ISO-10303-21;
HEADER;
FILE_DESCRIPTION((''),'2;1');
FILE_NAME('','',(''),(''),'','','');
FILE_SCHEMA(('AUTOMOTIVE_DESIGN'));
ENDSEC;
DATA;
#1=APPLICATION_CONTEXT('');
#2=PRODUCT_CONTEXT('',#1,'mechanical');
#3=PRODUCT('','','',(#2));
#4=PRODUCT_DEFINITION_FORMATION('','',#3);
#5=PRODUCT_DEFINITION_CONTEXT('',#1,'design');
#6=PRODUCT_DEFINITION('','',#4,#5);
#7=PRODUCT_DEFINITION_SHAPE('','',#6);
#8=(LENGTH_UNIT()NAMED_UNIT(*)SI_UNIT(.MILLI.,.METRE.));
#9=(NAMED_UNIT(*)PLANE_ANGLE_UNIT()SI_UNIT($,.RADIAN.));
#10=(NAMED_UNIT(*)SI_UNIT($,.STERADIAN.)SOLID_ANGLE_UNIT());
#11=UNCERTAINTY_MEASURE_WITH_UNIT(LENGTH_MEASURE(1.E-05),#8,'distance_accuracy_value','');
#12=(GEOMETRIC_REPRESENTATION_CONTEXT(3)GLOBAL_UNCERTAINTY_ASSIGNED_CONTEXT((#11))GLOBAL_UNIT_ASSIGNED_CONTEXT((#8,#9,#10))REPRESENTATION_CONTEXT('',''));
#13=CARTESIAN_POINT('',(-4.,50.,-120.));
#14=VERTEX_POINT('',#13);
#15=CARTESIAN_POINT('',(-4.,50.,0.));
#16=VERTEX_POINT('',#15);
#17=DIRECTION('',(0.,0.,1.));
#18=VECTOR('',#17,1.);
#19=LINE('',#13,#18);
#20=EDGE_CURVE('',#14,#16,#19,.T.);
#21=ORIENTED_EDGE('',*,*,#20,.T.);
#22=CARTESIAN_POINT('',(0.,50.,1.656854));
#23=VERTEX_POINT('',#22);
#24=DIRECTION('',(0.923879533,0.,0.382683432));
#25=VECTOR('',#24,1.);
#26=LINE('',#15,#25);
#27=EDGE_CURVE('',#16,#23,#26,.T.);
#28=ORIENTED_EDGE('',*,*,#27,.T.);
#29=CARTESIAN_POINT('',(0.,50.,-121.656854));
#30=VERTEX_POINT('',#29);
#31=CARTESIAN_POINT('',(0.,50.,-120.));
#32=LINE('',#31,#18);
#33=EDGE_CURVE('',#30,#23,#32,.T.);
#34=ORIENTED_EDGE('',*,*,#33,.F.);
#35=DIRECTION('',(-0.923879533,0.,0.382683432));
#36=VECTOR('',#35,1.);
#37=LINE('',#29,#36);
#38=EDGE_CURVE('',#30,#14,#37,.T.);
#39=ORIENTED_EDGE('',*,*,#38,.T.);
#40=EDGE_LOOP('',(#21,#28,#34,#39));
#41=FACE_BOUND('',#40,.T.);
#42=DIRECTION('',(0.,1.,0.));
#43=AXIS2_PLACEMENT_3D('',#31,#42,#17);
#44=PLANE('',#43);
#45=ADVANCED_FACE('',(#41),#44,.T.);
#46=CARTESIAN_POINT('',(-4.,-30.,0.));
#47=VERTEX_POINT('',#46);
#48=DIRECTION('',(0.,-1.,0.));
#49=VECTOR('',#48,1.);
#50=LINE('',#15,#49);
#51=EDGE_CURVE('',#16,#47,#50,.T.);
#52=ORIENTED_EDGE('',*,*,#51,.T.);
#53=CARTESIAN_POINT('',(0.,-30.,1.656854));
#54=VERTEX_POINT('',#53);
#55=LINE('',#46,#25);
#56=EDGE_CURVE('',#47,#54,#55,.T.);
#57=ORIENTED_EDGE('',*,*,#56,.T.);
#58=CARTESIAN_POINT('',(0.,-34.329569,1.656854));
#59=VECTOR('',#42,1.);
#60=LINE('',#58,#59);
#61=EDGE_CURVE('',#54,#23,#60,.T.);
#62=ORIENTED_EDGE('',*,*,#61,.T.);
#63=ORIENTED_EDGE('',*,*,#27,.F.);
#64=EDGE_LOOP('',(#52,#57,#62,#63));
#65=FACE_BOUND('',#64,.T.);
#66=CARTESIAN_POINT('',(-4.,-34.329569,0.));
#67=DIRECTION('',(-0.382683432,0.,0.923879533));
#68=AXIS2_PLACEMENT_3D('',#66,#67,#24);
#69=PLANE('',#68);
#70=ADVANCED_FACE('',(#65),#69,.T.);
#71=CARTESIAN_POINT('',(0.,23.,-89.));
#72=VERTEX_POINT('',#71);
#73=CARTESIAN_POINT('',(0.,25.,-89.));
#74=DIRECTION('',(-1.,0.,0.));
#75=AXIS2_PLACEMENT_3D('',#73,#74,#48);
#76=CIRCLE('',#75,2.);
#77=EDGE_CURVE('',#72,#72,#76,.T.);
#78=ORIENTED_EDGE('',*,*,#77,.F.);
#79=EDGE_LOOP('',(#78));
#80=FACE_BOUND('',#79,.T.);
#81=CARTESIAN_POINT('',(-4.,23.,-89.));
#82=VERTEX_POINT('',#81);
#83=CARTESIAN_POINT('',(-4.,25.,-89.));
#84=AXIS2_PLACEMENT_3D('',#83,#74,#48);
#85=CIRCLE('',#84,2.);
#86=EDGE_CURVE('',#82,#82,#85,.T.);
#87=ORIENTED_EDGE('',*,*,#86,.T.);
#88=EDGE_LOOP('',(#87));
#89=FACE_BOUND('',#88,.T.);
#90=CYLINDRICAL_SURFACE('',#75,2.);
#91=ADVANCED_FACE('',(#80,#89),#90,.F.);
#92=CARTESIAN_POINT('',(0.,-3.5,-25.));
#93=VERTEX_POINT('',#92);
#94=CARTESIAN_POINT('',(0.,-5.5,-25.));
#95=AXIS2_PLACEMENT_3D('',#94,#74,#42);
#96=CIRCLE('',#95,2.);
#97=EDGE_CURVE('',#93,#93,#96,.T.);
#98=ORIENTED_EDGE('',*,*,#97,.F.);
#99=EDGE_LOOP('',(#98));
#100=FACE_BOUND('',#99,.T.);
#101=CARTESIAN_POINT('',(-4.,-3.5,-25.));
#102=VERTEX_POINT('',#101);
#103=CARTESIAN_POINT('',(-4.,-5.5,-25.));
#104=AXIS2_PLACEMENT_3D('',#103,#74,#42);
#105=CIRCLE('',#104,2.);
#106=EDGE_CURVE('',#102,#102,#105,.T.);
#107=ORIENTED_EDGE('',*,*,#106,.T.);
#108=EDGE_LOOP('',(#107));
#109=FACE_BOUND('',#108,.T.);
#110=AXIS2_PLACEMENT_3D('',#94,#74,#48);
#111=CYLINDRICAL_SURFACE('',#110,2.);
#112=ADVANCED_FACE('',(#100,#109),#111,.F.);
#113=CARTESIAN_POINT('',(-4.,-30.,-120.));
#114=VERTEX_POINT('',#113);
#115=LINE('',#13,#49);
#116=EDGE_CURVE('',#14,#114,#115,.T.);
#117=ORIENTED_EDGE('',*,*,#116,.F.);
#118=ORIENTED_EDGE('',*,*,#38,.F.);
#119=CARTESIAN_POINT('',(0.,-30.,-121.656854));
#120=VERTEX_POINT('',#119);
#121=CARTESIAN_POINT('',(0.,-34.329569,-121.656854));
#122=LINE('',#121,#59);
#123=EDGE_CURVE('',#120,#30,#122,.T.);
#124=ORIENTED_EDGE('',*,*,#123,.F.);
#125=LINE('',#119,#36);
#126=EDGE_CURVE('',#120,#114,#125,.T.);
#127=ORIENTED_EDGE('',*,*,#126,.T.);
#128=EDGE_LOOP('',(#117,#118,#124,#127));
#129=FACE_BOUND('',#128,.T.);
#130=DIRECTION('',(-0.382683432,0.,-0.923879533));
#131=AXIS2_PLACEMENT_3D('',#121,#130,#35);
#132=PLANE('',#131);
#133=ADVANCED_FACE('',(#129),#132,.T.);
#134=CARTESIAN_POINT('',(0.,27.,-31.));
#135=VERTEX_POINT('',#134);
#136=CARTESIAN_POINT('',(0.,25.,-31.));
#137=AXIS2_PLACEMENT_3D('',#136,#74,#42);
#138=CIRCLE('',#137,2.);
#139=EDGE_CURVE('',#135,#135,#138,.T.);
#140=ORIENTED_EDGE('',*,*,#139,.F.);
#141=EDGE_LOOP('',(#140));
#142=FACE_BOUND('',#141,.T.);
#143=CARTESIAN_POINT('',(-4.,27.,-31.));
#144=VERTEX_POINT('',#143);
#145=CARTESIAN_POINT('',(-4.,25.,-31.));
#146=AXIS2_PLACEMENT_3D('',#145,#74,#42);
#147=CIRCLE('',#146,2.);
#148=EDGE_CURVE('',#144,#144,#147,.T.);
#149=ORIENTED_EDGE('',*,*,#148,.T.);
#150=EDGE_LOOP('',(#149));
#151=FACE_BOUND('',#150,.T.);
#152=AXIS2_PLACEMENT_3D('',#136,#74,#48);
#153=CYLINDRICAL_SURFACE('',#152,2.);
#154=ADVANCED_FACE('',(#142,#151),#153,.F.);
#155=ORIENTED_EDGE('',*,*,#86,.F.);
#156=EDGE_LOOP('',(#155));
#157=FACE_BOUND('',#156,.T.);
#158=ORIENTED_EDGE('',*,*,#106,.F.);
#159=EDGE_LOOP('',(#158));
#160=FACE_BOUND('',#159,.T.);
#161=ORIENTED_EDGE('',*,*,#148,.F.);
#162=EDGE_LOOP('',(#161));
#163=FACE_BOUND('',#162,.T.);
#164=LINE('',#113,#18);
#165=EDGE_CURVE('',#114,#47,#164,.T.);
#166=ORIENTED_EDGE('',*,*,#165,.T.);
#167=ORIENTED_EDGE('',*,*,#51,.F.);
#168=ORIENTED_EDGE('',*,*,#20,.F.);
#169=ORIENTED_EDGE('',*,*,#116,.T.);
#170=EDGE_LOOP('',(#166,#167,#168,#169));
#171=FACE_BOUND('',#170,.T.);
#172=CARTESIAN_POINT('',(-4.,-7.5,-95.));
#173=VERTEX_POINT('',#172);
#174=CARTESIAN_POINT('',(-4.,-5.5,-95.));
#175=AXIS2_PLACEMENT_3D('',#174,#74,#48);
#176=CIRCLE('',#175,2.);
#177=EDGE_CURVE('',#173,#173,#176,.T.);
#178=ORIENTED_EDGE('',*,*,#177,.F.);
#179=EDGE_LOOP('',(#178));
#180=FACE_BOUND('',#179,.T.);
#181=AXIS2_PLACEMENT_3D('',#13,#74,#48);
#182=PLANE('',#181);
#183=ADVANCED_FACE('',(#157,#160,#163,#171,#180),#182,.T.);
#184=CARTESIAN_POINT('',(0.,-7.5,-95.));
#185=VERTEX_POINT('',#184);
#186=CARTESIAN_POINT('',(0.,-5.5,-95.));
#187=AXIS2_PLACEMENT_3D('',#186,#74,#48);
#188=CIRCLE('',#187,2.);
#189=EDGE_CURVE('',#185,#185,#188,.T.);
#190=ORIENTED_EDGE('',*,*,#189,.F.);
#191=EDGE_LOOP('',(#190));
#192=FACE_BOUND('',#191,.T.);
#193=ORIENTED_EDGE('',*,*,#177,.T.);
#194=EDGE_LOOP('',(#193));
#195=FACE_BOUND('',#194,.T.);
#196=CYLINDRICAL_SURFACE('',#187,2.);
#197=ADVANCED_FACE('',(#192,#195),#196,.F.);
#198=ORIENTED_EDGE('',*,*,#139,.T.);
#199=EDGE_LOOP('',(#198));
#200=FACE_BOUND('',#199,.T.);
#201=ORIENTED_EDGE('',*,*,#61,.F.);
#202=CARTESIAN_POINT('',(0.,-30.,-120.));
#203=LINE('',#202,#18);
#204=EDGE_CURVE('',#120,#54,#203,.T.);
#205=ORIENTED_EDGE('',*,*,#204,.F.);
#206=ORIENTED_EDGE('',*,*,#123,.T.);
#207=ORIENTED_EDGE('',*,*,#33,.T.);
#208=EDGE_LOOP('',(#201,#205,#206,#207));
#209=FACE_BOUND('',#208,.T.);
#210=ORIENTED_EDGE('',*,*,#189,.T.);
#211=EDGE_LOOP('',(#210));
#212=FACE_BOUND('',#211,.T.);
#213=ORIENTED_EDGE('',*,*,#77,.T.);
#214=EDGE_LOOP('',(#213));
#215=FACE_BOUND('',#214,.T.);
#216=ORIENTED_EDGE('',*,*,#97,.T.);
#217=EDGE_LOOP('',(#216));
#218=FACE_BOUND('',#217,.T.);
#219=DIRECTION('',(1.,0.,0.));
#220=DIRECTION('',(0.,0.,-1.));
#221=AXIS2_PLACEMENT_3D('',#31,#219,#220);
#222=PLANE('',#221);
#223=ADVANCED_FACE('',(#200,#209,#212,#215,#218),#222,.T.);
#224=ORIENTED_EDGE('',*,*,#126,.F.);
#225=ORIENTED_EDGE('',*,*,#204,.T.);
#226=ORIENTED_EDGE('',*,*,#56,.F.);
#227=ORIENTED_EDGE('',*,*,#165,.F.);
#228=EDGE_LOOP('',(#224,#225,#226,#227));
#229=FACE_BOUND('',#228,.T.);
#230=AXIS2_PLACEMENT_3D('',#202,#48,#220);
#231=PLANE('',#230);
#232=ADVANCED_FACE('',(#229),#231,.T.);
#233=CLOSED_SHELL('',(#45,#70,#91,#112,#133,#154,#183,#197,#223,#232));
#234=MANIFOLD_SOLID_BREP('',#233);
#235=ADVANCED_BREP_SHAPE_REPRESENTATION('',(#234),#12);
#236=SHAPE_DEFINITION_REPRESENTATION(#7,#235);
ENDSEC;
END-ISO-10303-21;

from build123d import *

# Parameters (mm, degrees)
SKETCH_1_W          = 4
SKETCH_1_H          = 80
EXTRUDE_3_DEPTH     = 120
SKETCH_3_R          = 2
CUT_EXTRUDE_1_DEPTH = 131.061523903
EXTRUDE_4_DEPTH     = 80


with BuildPart() as part:
    # 草图1 → 拉伸3 (new body)
    with BuildSketch(Plane.XY):
        with Locations((-2, 10)):
            Rectangle(SKETCH_1_W, SKETCH_1_H)
    extrude(amount=-EXTRUDE_3_DEPTH)

    # 草图3 → 切除-拉伸1 (cut, through all)
    with BuildSketch(Plane.ZY.offset(4)):
        with Locations(Location((-89, 25, 0), (0, 0, 270))):
            Circle(SKETCH_3_R)
        with Locations(Location((-95, -5.5, 0), (0, 0, 270))):
            Circle(SKETCH_3_R)
        with Locations(Location((-25, -5.5, 0), (0, 0, 90))):
            Circle(SKETCH_3_R)
        with Locations(Location((-31, 25, 0), (0, 0, 90))):
            Circle(SKETCH_3_R)
    extrude(amount=-CUT_EXTRUDE_1_DEPTH, mode=Mode.SUBTRACT)

    # 草图4 → 拉伸4 (add)
    with BuildSketch(Plane(origin=(0, 50, 0), x_dir=(-1, 0, 0), z_dir=(0, 1, 0))):
        Polygon((4, 0), (0, 1.656854249), (0, 0), align=None)
        Polygon((4, -120), (0, -120), (0, -121.656854249), align=None)
    extrude(amount=-EXTRUDE_4_DEPTH)


solid = part.part
